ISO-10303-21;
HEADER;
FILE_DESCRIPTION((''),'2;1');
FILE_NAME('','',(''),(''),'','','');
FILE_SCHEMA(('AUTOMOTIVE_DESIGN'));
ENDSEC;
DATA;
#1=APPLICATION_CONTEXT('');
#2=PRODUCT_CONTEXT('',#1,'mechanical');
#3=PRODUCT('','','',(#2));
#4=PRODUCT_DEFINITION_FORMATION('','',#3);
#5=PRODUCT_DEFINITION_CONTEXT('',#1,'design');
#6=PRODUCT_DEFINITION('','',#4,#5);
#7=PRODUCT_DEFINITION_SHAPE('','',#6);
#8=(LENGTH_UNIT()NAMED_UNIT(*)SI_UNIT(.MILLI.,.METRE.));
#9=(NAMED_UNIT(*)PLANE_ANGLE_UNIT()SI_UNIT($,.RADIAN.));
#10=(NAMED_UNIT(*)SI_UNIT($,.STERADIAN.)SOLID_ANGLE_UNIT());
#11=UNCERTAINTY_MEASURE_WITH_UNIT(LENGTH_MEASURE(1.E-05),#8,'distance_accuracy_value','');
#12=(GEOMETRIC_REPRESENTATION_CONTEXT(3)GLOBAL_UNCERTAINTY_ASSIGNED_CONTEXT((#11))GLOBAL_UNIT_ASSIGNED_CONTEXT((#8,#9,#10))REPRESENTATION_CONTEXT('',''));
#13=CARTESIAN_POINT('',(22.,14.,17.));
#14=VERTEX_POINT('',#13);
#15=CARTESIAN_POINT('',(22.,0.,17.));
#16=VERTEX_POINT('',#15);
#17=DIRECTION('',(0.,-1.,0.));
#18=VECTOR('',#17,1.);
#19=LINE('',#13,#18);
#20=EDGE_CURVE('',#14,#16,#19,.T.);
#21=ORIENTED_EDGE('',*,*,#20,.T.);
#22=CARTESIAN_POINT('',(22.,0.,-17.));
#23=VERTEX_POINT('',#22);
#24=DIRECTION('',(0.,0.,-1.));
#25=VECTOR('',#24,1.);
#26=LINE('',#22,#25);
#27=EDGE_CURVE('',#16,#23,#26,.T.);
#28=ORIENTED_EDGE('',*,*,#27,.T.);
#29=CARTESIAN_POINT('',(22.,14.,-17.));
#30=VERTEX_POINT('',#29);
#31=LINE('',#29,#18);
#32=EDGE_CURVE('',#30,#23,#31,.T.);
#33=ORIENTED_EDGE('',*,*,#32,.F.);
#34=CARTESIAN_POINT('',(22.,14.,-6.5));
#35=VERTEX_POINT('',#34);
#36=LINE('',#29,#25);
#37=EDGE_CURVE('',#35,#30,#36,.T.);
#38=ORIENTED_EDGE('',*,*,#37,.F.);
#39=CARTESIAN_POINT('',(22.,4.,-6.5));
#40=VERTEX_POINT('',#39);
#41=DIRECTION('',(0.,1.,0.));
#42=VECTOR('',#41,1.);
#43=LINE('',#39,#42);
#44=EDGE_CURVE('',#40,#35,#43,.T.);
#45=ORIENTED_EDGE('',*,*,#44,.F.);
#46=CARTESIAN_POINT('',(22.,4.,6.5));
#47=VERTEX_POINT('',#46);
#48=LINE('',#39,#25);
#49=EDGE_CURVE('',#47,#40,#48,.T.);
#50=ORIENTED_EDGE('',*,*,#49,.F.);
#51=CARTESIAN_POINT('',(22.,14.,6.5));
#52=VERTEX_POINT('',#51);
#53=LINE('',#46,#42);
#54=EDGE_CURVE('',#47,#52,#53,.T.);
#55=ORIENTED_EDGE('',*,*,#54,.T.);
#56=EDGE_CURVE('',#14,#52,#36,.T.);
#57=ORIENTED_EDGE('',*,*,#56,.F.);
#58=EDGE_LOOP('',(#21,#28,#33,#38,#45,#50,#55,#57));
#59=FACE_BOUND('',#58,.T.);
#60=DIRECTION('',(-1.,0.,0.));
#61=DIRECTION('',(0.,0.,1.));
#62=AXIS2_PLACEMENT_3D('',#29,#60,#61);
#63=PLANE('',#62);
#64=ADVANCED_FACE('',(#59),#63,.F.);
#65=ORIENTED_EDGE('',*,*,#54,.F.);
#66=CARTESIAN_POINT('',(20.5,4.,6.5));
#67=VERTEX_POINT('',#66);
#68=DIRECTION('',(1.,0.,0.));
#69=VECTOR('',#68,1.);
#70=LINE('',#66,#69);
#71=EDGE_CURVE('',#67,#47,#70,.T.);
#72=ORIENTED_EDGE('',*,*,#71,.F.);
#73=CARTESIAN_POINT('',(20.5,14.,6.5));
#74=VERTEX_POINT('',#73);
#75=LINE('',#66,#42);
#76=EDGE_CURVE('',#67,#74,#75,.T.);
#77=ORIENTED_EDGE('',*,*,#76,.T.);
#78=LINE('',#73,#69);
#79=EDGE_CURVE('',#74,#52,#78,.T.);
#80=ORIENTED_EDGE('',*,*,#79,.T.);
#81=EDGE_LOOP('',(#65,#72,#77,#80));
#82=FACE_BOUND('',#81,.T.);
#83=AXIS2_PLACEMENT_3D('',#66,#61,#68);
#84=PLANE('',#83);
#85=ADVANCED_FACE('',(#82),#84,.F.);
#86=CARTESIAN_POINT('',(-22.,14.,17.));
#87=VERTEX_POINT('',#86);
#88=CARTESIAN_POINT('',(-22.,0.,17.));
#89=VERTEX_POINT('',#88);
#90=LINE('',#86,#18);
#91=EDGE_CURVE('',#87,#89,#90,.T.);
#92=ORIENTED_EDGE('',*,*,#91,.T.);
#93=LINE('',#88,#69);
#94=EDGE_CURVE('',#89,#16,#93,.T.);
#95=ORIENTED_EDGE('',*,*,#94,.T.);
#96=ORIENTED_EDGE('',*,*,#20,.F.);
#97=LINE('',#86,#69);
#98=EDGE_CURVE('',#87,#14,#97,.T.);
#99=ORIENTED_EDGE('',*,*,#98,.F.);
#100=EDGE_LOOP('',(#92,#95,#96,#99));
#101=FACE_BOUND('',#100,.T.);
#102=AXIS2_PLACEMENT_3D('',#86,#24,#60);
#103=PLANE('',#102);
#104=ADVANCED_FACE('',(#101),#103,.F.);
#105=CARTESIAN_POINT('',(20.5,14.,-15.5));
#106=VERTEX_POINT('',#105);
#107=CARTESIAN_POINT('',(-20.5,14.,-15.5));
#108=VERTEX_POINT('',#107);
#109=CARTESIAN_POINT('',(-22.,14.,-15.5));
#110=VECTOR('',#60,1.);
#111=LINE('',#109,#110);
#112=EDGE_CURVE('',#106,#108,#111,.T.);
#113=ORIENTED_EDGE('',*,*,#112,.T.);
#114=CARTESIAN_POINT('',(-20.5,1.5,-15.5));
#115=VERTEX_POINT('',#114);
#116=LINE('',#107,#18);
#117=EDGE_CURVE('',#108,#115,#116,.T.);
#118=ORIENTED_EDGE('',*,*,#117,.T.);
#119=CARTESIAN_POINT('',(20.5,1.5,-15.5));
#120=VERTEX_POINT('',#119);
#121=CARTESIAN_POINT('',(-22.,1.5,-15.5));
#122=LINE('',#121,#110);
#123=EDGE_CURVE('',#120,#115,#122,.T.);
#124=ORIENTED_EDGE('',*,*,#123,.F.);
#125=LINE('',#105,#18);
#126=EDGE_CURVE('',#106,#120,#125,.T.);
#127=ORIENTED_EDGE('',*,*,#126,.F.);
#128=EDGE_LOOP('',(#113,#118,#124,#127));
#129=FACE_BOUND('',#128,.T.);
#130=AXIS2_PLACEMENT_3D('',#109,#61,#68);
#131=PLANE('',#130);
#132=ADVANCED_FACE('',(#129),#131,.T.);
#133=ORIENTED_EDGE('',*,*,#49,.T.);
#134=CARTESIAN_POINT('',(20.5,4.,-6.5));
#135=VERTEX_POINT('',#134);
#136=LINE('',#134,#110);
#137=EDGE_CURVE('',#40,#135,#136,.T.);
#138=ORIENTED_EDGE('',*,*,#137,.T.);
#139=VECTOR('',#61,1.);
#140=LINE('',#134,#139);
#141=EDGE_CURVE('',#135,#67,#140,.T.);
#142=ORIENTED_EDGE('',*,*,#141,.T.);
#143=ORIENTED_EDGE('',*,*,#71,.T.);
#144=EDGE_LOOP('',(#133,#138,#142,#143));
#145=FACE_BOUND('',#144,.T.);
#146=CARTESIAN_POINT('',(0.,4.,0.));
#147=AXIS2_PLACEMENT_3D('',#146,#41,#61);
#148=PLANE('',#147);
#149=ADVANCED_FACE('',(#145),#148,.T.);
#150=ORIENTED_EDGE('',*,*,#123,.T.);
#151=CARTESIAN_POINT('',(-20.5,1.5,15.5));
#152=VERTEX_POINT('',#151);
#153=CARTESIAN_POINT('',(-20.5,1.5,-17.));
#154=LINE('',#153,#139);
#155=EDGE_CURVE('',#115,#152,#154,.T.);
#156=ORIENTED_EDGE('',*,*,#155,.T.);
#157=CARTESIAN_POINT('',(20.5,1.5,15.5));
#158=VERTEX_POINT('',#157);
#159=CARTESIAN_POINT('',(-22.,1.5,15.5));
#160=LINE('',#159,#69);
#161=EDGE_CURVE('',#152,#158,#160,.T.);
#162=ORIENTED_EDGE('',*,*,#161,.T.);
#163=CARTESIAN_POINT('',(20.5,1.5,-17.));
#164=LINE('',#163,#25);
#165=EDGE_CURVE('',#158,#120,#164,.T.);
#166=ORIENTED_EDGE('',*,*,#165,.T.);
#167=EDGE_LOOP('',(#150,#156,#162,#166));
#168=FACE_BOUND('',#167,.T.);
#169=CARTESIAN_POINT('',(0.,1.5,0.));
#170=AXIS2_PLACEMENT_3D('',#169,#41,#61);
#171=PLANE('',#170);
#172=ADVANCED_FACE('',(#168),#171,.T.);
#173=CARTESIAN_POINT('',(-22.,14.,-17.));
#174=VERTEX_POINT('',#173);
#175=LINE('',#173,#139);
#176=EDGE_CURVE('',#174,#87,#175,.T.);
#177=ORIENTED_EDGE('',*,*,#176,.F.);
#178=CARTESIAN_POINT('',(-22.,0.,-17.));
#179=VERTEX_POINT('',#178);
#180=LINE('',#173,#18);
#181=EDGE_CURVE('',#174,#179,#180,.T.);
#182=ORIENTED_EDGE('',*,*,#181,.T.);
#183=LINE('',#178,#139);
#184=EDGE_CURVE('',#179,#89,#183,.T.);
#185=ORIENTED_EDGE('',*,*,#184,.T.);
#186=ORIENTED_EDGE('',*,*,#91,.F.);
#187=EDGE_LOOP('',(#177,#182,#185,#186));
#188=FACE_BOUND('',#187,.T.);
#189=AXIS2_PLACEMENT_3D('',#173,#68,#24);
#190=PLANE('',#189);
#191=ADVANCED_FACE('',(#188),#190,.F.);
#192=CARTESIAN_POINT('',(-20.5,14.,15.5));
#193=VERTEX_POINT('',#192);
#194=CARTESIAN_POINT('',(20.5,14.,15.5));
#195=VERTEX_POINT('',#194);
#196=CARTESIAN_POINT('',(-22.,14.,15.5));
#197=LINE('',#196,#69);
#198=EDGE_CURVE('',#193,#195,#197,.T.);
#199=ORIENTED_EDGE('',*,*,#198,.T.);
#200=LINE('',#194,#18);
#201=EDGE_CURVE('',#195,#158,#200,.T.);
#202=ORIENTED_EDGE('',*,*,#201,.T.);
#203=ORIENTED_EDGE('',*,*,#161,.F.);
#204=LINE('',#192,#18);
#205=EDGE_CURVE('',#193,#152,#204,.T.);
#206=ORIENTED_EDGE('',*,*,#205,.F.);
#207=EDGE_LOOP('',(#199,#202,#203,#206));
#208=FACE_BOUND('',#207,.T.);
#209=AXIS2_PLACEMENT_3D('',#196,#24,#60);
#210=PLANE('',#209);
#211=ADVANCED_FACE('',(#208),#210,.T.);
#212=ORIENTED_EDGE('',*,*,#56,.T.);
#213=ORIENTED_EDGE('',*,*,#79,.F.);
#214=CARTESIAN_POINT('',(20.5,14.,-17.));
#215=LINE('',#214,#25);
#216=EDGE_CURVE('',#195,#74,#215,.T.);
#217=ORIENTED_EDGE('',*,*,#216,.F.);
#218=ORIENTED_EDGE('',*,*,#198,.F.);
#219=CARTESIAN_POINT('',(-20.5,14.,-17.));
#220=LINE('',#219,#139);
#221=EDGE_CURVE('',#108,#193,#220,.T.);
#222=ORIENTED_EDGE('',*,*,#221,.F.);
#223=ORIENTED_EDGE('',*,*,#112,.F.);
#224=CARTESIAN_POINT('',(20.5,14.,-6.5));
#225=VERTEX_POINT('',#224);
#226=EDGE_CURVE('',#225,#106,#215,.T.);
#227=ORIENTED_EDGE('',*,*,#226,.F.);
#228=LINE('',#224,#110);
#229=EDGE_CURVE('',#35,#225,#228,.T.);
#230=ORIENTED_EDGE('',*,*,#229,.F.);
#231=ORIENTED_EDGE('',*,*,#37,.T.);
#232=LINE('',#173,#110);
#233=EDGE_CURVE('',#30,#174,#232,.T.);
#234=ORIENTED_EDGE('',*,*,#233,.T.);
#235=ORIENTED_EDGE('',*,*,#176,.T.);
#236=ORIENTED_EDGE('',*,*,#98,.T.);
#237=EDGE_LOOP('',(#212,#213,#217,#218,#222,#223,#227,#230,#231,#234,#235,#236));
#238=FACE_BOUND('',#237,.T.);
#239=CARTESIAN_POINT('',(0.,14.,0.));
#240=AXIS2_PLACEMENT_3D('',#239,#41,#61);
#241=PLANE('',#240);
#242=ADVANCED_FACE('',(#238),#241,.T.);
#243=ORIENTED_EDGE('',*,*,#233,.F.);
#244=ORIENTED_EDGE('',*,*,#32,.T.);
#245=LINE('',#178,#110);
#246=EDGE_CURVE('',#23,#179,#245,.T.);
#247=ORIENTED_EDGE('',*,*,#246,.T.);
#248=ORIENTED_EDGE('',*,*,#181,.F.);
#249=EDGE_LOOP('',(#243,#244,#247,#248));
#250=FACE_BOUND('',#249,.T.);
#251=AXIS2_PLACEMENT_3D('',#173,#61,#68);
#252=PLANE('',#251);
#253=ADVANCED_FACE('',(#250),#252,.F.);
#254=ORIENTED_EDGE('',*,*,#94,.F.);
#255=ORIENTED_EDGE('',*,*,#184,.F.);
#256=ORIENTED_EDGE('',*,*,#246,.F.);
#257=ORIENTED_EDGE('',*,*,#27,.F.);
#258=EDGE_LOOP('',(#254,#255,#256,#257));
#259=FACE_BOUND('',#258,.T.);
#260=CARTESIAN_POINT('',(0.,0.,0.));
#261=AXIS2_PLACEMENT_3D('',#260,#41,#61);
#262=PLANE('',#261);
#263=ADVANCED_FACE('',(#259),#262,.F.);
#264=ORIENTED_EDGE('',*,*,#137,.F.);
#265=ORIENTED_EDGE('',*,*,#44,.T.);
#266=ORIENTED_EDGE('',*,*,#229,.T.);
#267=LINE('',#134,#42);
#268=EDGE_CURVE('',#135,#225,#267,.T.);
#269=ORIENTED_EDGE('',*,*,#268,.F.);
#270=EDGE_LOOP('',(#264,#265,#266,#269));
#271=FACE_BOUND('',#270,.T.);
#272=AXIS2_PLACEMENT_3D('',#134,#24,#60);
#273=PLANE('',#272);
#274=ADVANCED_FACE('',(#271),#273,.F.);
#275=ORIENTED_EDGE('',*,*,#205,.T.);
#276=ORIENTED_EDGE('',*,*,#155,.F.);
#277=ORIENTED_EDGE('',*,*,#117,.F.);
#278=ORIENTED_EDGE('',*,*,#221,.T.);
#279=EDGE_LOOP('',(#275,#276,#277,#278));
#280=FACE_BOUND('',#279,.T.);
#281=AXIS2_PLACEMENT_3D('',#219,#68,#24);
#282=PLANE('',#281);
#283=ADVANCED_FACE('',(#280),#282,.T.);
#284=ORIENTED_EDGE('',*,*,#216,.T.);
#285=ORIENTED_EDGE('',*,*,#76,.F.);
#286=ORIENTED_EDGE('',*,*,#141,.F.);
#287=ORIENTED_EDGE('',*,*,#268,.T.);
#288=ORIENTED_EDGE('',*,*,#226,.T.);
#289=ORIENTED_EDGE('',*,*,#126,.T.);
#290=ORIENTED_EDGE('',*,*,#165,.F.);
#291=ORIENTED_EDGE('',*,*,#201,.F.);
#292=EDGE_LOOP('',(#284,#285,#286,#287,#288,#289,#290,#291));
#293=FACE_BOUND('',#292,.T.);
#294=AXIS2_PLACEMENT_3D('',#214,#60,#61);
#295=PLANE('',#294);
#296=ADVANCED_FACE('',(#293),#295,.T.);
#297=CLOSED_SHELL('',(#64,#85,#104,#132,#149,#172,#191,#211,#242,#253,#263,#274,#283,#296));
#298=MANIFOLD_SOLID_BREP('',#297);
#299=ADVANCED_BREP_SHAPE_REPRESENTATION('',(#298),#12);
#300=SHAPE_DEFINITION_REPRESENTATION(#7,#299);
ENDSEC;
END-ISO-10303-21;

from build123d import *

# Parameters (mm, degrees)
ESQUISSE1_W             = 44
ESQUISSE1_H             = 34
BOSS_EXTRU_1_DEPTH      = 14
COQUE1_T                = -1.5
ESQUISSE2_W             = 1.5
ESQUISSE2_H             = 13
ENL_V_MAT_EXTRU_1_DEPTH = 10


with BuildPart() as part:
    # Esquisse1 → Boss.-Extru.1 (new body)
    with BuildSketch(Plane(origin=(0, 0, 0), x_dir=(1, 0, 0), z_dir=(0, 1, 0))):
        Rectangle(ESQUISSE1_W, ESQUISSE1_H)
    extrude(amount=BOSS_EXTRU_1_DEPTH)

    # Coque1
    coque1_openings = [part.faces().sort_by_distance(p)[0] for p in [
        (0, 14, 0),
    ]]
    offset(amount=COQUE1_T, openings=coque1_openings, kind=Kind.INTERSECTION)

    # Esquisse2 → Enlèv. mat.-Extru.1 (cut)
    with BuildSketch(Plane(origin=(0, 14, 0), x_dir=(1, 0, 0), z_dir=(0, 1, 0))):
        with Locations((21.25, 0)):
            Rectangle(ESQUISSE2_W, ESQUISSE2_H)
    extrude(amount=-ENL_V_MAT_EXTRU_1_DEPTH, mode=Mode.SUBTRACT)


solid = part.part
